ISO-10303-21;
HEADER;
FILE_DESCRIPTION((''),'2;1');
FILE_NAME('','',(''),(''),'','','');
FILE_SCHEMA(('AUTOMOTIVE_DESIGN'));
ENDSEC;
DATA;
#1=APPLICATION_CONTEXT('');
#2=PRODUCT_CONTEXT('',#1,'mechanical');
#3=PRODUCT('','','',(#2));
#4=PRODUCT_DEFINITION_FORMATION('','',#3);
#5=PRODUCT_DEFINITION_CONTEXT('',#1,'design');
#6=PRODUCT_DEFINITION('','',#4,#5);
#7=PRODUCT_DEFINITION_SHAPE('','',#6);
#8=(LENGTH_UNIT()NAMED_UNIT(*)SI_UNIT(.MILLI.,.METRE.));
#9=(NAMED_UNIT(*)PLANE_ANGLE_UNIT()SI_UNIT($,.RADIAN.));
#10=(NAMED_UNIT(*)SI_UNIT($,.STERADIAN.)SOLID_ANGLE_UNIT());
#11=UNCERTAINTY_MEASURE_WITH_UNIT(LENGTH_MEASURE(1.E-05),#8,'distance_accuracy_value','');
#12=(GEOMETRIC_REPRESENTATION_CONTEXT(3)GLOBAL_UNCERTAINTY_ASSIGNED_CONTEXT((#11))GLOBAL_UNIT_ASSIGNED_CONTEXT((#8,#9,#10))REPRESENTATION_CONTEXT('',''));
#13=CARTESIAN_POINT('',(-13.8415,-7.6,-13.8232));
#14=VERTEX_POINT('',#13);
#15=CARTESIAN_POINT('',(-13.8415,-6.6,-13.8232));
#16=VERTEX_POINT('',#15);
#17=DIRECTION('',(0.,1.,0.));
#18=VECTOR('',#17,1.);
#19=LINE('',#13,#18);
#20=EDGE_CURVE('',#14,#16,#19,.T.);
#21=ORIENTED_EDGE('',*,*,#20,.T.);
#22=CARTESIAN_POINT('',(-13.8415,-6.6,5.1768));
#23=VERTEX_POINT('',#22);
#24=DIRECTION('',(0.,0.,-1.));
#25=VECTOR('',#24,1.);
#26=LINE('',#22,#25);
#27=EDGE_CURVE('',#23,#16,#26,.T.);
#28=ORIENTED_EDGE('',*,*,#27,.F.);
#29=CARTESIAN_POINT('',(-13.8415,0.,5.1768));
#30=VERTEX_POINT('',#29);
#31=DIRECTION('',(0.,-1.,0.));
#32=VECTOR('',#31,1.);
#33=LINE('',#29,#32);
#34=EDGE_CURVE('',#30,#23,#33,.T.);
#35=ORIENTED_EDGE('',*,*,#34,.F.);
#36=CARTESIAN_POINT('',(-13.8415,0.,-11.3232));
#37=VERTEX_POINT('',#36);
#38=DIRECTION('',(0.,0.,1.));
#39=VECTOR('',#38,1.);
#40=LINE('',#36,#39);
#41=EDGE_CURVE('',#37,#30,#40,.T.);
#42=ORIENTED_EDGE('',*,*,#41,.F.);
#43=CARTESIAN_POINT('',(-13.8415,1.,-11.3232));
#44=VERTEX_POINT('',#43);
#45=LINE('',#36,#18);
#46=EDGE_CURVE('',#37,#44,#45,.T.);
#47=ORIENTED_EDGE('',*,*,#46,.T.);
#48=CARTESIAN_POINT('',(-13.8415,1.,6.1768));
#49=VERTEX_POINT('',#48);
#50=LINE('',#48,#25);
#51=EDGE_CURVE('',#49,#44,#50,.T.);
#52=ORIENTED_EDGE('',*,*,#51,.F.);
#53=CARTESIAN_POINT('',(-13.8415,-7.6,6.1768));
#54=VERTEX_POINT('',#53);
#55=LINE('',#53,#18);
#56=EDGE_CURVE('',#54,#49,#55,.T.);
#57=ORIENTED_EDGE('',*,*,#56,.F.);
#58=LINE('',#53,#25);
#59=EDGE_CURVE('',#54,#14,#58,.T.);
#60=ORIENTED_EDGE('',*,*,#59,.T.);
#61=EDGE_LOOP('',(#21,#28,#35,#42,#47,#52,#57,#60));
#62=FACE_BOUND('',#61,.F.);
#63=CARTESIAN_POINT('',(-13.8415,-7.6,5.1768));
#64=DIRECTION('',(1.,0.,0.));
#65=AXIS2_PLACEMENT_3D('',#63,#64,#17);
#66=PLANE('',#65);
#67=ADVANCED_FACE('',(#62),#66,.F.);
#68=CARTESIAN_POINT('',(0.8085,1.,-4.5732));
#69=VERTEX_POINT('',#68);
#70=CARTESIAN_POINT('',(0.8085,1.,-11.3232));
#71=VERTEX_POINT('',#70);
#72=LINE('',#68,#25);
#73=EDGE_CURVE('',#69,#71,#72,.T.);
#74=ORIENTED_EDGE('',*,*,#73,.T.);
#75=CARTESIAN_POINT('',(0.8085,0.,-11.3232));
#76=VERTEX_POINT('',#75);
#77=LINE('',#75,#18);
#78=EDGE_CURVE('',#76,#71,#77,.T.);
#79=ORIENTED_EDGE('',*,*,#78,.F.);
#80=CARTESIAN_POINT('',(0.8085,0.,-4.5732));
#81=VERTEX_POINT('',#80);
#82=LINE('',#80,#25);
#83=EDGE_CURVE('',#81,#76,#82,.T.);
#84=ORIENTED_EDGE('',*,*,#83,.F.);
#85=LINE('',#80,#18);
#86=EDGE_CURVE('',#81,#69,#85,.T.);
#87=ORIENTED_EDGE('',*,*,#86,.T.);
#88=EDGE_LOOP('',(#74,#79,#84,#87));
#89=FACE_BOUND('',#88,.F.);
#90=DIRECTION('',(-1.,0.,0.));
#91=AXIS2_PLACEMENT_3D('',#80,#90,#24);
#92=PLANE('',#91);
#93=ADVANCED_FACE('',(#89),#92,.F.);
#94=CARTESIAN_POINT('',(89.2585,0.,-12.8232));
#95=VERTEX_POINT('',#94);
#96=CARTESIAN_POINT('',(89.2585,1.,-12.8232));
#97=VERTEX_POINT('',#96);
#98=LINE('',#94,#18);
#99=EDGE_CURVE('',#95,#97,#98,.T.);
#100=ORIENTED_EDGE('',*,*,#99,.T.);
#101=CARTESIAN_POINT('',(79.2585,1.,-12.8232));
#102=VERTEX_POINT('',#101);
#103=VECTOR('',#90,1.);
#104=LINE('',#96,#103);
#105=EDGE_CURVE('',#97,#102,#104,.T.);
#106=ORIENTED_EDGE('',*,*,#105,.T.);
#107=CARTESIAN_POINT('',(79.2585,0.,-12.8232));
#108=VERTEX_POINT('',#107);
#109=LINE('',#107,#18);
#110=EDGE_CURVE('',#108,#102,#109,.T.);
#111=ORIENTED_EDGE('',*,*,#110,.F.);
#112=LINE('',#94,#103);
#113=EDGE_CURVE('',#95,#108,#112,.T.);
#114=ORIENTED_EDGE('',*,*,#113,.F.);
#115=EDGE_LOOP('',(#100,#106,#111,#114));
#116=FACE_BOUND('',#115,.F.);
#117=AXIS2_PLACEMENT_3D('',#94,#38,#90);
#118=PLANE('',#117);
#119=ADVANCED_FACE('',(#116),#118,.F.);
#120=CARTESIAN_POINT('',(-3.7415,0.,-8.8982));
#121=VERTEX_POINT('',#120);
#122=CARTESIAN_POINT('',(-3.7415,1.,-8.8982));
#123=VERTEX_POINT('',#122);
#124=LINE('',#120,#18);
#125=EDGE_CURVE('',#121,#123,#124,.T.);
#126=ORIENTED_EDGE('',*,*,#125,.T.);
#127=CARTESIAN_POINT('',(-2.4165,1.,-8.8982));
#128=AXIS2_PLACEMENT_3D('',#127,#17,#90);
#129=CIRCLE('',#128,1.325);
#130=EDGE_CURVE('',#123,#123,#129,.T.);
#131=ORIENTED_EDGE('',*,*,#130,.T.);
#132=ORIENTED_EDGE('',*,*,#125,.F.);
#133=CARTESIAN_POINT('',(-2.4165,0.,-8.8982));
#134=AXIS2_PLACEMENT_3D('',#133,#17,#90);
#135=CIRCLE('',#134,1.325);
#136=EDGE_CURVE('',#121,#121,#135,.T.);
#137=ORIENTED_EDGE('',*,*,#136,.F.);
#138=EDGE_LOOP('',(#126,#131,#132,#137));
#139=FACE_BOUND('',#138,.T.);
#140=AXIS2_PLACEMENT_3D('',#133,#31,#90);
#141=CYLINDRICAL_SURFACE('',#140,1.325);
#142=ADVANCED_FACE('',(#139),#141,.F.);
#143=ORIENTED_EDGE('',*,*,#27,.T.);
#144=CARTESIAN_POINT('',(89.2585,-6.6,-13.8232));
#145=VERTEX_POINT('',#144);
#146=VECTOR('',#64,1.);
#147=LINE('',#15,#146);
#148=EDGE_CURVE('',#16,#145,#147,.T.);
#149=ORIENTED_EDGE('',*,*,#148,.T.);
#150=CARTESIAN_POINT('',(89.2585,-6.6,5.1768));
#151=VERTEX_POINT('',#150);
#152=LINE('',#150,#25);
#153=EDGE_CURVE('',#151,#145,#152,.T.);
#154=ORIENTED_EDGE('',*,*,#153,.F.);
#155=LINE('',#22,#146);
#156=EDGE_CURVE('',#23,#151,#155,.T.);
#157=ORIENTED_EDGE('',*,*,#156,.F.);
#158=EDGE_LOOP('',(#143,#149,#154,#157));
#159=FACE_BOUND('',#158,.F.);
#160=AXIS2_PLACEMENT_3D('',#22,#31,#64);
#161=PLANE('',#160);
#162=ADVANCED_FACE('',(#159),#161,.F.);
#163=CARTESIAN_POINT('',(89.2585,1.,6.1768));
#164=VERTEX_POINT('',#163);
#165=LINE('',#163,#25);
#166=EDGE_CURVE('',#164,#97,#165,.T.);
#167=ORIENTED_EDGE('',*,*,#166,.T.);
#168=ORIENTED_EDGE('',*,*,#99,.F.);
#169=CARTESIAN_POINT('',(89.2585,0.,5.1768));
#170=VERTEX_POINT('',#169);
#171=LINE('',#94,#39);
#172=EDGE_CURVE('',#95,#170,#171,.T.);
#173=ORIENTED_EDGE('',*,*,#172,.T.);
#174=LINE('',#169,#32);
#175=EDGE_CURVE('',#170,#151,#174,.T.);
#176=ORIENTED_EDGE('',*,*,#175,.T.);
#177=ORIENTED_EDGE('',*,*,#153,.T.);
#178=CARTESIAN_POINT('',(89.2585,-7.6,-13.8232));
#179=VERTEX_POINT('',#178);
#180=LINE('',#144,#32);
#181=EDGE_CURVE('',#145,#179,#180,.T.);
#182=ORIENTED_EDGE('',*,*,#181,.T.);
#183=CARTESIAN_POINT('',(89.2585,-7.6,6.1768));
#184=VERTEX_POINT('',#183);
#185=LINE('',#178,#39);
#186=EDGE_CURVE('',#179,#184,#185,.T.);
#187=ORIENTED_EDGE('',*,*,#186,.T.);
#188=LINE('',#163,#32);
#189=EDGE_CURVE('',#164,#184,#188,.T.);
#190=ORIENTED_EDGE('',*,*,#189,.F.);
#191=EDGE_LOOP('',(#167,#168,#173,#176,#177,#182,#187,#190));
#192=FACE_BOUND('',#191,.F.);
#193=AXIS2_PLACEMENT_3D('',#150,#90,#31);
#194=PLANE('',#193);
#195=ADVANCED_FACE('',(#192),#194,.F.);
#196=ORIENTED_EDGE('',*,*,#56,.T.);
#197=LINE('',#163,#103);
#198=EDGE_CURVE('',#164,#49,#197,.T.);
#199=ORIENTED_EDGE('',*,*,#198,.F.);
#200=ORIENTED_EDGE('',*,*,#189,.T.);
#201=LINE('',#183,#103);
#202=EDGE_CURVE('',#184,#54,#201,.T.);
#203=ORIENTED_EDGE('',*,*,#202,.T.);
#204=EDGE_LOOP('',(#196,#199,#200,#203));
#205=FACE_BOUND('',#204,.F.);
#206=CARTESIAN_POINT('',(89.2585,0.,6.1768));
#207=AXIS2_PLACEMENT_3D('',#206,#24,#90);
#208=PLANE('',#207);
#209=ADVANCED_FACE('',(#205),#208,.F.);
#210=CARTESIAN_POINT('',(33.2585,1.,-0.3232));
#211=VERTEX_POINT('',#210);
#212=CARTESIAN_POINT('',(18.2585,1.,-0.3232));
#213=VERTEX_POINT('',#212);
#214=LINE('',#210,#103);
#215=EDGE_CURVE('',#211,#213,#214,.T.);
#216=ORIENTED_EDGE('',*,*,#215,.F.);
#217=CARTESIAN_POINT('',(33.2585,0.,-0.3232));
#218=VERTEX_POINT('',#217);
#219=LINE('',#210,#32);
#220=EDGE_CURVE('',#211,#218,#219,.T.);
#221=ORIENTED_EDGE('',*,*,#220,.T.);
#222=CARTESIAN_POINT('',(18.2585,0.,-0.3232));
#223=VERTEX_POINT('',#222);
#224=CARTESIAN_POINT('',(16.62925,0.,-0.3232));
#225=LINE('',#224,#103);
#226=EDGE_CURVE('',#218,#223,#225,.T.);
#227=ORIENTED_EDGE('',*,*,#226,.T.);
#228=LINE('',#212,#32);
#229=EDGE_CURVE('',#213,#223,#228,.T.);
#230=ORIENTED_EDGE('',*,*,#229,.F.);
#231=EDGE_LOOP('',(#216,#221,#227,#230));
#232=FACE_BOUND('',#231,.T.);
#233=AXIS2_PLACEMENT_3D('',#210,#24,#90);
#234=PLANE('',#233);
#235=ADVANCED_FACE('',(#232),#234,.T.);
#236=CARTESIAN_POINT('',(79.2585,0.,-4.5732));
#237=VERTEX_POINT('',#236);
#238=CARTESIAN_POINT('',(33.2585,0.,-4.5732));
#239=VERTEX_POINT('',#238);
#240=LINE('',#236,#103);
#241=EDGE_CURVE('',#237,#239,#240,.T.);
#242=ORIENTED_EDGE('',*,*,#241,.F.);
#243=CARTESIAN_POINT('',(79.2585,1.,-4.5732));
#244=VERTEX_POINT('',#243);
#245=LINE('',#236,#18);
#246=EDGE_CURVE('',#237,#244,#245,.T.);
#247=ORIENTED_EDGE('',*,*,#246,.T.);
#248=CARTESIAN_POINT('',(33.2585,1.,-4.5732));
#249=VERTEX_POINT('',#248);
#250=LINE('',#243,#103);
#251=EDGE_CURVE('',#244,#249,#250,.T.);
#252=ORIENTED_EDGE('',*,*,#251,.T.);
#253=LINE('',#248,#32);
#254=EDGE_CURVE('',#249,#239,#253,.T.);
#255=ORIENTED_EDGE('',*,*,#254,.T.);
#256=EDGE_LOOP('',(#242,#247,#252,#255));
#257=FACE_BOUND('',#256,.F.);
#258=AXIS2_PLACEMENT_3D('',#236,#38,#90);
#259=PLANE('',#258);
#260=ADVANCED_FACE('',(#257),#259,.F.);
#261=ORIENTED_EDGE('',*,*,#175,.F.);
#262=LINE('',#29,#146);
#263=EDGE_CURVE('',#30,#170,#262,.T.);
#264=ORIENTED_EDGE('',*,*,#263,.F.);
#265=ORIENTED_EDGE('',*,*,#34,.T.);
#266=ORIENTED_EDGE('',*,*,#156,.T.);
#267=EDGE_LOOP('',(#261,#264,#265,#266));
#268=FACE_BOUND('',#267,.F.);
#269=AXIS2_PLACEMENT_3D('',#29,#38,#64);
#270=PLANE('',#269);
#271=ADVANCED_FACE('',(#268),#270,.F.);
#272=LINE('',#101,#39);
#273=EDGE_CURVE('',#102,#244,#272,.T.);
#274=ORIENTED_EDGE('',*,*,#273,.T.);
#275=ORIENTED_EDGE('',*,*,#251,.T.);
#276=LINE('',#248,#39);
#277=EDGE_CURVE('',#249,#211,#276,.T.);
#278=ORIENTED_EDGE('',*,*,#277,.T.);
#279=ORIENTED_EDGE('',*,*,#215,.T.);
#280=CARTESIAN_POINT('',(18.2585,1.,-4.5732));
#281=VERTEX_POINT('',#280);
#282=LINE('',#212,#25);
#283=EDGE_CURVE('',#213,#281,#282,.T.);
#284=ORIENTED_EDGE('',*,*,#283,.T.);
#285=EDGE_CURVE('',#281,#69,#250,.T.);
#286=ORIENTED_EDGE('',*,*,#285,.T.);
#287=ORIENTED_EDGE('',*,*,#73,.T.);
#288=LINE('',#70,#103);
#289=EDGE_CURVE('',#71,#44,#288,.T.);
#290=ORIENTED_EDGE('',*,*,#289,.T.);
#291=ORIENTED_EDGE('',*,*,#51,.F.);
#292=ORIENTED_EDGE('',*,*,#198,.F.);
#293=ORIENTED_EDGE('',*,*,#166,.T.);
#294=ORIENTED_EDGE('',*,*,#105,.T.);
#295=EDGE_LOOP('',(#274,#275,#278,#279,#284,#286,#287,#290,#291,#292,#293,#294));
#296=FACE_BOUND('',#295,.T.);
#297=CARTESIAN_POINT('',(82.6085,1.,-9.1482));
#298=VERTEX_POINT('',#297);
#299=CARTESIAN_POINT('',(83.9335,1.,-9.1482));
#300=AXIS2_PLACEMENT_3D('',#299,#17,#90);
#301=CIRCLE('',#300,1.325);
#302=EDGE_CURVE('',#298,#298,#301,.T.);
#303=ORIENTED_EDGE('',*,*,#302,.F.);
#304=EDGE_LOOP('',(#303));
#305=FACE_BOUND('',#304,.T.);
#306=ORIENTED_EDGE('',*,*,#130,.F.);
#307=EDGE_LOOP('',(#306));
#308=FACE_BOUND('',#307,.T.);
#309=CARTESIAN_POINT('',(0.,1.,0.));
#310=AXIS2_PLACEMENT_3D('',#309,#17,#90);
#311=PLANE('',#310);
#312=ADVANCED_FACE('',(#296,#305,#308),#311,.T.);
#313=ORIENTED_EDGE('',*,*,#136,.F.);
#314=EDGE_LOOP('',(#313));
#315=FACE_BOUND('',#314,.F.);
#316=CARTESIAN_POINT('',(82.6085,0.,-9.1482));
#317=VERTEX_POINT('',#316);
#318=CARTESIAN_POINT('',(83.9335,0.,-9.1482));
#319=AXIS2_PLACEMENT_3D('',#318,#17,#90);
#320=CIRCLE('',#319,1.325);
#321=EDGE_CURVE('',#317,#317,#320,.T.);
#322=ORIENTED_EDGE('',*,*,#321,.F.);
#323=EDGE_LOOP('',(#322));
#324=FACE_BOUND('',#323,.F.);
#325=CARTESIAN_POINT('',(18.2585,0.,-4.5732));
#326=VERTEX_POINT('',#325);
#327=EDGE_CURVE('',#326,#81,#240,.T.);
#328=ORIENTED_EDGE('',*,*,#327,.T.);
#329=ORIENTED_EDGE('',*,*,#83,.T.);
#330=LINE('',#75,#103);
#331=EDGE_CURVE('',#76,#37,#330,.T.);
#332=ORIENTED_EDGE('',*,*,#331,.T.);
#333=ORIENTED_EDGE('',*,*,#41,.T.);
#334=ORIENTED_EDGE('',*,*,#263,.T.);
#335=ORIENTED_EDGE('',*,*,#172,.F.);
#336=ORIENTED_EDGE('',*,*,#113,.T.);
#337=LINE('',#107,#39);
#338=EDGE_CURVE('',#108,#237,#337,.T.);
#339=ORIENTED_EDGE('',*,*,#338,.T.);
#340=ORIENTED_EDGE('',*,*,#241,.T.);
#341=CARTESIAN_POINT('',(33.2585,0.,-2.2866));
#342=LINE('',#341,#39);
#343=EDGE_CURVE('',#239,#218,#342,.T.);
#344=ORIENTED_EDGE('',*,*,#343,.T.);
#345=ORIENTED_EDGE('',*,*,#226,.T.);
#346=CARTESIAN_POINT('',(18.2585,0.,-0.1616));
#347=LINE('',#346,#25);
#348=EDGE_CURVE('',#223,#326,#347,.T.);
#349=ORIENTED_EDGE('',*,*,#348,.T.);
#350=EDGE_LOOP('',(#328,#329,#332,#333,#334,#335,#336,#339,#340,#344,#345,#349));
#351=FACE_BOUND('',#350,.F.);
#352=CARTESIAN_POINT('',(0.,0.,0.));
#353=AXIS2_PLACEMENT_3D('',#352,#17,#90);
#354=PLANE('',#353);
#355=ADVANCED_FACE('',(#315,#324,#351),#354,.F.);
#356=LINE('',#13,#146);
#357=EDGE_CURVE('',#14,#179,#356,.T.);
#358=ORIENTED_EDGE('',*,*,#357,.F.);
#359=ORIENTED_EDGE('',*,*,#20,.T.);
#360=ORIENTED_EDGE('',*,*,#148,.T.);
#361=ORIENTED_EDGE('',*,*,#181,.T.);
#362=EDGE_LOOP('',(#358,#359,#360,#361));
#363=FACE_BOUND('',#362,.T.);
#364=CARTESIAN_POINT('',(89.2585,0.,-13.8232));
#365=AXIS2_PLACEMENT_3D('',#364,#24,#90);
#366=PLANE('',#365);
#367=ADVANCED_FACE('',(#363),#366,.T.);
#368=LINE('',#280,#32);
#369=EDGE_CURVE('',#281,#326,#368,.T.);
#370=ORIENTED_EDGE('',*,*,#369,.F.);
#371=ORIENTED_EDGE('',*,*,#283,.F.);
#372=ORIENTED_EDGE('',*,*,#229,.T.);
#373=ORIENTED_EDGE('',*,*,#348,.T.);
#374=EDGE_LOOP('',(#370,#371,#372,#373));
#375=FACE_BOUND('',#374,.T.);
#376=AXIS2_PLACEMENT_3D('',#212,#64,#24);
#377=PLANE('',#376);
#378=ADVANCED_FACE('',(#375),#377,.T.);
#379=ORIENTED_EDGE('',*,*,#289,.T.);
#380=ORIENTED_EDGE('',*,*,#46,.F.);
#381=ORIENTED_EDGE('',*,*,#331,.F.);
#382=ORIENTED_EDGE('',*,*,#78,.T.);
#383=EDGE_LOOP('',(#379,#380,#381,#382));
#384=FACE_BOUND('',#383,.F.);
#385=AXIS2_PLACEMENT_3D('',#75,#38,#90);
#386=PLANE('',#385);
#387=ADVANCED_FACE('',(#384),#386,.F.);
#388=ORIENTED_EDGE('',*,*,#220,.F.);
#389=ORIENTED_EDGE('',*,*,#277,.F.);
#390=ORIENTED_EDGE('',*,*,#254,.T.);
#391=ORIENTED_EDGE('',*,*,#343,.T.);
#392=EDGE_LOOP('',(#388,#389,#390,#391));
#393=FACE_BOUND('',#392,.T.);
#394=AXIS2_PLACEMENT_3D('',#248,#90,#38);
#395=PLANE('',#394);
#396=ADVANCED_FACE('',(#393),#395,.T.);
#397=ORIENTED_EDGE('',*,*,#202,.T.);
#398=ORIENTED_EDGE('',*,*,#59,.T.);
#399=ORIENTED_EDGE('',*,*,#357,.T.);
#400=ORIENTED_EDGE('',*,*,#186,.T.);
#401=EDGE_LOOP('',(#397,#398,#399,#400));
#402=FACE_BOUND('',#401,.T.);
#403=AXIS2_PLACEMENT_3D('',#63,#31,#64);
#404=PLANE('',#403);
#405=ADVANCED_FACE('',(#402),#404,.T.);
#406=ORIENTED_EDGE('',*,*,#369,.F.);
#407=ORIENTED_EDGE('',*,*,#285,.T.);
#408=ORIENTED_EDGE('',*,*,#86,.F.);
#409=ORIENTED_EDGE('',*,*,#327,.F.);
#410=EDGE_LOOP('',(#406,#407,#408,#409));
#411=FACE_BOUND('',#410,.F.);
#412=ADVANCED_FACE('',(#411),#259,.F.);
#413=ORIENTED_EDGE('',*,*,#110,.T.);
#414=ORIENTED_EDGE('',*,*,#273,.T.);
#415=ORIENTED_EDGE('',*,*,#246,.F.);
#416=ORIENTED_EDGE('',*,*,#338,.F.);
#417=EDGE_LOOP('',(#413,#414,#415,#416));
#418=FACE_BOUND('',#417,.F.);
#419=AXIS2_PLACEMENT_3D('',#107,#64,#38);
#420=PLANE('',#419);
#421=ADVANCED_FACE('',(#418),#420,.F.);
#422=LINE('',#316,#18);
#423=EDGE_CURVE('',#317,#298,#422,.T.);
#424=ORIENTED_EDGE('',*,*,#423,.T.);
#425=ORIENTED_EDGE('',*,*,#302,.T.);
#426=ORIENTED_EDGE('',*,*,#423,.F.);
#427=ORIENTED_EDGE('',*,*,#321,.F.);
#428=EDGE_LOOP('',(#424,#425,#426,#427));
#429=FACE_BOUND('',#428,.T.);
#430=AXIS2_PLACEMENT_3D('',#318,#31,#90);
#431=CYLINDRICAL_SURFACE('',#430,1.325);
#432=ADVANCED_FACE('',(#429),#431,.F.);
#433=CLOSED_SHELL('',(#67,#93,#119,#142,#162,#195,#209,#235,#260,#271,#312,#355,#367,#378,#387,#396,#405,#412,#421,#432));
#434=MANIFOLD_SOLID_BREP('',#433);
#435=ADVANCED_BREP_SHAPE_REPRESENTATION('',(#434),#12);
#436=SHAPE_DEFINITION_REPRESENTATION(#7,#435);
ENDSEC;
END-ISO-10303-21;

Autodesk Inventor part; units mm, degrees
ref_plane "YZ Plane" through (0, 0, 0) normal (1, 0, 0) x (0, 1, 0)
ref_plane "XZ Plane" through (0, 0, 0) normal (0, 1, 0) x (-1, 0, 0)
ref_plane "XY Plane" through (0, 0, 0) normal (0, 0, 1) x (1, 0, 0)
sketch "Sketch1" plane through (0, 0, 0) normal (0, 1, 0) x (-1, 0, 0)
  line L0 (13.8415, 5.1768) -> (-89.2585, 5.1768)
  line L1 (-89.2585, 5.1768) -> (-89.2585, -12.8232)
  line L2 (-89.2585, -12.8232) -> (-79.2585, -12.8232)
  line L3 (-79.2585, -12.8232) -> (-79.2585, -4.5732)
  line L4 (-79.2585, -4.5732) -> (-0.8085, -4.5732)
  line L5 (-0.8085, -4.5732) -> (-0.8085, -11.3232)
  line L6 (-0.8085, -11.3232) -> (13.8415, -11.3232)
  line L7 (13.8415, -11.3232) -> (13.8415, 5.1768)
  circle A0 centre (2.4165, -8.8982) radius 1.325
  circle A1 centre (-83.9335, -9.1482) radius 1.325
  line L8 (13.8415, 5.1768) -> (-89.2585, 5.1768)
  line L9 (-89.2585, 5.1768) -> (-89.2585, 6.1768)
  line L10 (-89.2585, 6.1768) -> (13.8415, 6.1768)
  line L11 (13.8415, 6.1768) -> (13.8415, 5.1768)
  point P0 (0, 0)
  dimension "d0" = 2.65
  dimension "d1" = 2.65
  dimension "d2" = 103.1
  dimension "d3" = 14.65
  dimension "d4" = 10
  dimension "d5" = 18
  dimension "d6" = 16.5
  dimension "d7" = 14.075
  dimension "d8" = 11.425
  dimension "d9" = 9.75
  dimension "d10" = 14.325
  dimension "d11" = 5.325
  dimension "d14" = 1
extrude "Extrusion1" add sketch "Sketch1" along normal blind 1
extrude "Extrusion2" add sketch "Sketch1" against normal blind 7.6 contours L0 L9 L10 L11
sketch "Sketch3" plane through (89.2585, 0, 5.1768) normal (0, 0, -1) x (-1, 0, 0)
  line L0 (103.1, -7.6) -> (0, -7.6) projected
  line L1 (103.1, -7.6) -> (103.1, 1) projected
  line L2 (0, -7.6) -> (103.1, -7.6)
  line L3 (103.1, -7.6) -> (103.1, -6.6)
  line L4 (103.1, -6.6) -> (0, -6.6)
  line L5 (0, -6.6) -> (0, -7.6)
  point P0 (89.2585, 0)
  dimension "d17" = 1
extrude "Extrusion3" add sketch "Sketch3" along normal blind 19
sketch "Sketch4" plane through (0, 1, 0) normal (0, 1, 0) x (1, 0, 0)
  line L0 (79.2585, 4.5732) -> (0.8085, 4.5732) projected
  line L1 (18.2585, 4.5732) -> (33.2585, 4.5732)
  line L2 (33.2585, 4.5732) -> (33.2585, 0.3232)
  line L3 (33.2585, 0.3232) -> (18.2585, 0.3232)
  line L4 (18.2585, 0.3232) -> (18.2585, 4.5732)
  line L5 (0.8085, 4.5732) -> (0.8085, 11.3232) projected
  line L6 (79.2585, 12.8232) -> (79.2585, 4.5732) projected
  line L7 (-13.8415, -6.1768) -> (89.2585, -6.1768) projected
  point P0 (0, 0)
  point P1 (33.2585, 4.5732)
  dimension "d21" = 15
  dimension "d26" = 6.5
  dimension "d28" = 46
extrude "Extrusion4" cut sketch "Sketch4" against normal blind 2
properties part number "CO-1-03-jetsonMount"
